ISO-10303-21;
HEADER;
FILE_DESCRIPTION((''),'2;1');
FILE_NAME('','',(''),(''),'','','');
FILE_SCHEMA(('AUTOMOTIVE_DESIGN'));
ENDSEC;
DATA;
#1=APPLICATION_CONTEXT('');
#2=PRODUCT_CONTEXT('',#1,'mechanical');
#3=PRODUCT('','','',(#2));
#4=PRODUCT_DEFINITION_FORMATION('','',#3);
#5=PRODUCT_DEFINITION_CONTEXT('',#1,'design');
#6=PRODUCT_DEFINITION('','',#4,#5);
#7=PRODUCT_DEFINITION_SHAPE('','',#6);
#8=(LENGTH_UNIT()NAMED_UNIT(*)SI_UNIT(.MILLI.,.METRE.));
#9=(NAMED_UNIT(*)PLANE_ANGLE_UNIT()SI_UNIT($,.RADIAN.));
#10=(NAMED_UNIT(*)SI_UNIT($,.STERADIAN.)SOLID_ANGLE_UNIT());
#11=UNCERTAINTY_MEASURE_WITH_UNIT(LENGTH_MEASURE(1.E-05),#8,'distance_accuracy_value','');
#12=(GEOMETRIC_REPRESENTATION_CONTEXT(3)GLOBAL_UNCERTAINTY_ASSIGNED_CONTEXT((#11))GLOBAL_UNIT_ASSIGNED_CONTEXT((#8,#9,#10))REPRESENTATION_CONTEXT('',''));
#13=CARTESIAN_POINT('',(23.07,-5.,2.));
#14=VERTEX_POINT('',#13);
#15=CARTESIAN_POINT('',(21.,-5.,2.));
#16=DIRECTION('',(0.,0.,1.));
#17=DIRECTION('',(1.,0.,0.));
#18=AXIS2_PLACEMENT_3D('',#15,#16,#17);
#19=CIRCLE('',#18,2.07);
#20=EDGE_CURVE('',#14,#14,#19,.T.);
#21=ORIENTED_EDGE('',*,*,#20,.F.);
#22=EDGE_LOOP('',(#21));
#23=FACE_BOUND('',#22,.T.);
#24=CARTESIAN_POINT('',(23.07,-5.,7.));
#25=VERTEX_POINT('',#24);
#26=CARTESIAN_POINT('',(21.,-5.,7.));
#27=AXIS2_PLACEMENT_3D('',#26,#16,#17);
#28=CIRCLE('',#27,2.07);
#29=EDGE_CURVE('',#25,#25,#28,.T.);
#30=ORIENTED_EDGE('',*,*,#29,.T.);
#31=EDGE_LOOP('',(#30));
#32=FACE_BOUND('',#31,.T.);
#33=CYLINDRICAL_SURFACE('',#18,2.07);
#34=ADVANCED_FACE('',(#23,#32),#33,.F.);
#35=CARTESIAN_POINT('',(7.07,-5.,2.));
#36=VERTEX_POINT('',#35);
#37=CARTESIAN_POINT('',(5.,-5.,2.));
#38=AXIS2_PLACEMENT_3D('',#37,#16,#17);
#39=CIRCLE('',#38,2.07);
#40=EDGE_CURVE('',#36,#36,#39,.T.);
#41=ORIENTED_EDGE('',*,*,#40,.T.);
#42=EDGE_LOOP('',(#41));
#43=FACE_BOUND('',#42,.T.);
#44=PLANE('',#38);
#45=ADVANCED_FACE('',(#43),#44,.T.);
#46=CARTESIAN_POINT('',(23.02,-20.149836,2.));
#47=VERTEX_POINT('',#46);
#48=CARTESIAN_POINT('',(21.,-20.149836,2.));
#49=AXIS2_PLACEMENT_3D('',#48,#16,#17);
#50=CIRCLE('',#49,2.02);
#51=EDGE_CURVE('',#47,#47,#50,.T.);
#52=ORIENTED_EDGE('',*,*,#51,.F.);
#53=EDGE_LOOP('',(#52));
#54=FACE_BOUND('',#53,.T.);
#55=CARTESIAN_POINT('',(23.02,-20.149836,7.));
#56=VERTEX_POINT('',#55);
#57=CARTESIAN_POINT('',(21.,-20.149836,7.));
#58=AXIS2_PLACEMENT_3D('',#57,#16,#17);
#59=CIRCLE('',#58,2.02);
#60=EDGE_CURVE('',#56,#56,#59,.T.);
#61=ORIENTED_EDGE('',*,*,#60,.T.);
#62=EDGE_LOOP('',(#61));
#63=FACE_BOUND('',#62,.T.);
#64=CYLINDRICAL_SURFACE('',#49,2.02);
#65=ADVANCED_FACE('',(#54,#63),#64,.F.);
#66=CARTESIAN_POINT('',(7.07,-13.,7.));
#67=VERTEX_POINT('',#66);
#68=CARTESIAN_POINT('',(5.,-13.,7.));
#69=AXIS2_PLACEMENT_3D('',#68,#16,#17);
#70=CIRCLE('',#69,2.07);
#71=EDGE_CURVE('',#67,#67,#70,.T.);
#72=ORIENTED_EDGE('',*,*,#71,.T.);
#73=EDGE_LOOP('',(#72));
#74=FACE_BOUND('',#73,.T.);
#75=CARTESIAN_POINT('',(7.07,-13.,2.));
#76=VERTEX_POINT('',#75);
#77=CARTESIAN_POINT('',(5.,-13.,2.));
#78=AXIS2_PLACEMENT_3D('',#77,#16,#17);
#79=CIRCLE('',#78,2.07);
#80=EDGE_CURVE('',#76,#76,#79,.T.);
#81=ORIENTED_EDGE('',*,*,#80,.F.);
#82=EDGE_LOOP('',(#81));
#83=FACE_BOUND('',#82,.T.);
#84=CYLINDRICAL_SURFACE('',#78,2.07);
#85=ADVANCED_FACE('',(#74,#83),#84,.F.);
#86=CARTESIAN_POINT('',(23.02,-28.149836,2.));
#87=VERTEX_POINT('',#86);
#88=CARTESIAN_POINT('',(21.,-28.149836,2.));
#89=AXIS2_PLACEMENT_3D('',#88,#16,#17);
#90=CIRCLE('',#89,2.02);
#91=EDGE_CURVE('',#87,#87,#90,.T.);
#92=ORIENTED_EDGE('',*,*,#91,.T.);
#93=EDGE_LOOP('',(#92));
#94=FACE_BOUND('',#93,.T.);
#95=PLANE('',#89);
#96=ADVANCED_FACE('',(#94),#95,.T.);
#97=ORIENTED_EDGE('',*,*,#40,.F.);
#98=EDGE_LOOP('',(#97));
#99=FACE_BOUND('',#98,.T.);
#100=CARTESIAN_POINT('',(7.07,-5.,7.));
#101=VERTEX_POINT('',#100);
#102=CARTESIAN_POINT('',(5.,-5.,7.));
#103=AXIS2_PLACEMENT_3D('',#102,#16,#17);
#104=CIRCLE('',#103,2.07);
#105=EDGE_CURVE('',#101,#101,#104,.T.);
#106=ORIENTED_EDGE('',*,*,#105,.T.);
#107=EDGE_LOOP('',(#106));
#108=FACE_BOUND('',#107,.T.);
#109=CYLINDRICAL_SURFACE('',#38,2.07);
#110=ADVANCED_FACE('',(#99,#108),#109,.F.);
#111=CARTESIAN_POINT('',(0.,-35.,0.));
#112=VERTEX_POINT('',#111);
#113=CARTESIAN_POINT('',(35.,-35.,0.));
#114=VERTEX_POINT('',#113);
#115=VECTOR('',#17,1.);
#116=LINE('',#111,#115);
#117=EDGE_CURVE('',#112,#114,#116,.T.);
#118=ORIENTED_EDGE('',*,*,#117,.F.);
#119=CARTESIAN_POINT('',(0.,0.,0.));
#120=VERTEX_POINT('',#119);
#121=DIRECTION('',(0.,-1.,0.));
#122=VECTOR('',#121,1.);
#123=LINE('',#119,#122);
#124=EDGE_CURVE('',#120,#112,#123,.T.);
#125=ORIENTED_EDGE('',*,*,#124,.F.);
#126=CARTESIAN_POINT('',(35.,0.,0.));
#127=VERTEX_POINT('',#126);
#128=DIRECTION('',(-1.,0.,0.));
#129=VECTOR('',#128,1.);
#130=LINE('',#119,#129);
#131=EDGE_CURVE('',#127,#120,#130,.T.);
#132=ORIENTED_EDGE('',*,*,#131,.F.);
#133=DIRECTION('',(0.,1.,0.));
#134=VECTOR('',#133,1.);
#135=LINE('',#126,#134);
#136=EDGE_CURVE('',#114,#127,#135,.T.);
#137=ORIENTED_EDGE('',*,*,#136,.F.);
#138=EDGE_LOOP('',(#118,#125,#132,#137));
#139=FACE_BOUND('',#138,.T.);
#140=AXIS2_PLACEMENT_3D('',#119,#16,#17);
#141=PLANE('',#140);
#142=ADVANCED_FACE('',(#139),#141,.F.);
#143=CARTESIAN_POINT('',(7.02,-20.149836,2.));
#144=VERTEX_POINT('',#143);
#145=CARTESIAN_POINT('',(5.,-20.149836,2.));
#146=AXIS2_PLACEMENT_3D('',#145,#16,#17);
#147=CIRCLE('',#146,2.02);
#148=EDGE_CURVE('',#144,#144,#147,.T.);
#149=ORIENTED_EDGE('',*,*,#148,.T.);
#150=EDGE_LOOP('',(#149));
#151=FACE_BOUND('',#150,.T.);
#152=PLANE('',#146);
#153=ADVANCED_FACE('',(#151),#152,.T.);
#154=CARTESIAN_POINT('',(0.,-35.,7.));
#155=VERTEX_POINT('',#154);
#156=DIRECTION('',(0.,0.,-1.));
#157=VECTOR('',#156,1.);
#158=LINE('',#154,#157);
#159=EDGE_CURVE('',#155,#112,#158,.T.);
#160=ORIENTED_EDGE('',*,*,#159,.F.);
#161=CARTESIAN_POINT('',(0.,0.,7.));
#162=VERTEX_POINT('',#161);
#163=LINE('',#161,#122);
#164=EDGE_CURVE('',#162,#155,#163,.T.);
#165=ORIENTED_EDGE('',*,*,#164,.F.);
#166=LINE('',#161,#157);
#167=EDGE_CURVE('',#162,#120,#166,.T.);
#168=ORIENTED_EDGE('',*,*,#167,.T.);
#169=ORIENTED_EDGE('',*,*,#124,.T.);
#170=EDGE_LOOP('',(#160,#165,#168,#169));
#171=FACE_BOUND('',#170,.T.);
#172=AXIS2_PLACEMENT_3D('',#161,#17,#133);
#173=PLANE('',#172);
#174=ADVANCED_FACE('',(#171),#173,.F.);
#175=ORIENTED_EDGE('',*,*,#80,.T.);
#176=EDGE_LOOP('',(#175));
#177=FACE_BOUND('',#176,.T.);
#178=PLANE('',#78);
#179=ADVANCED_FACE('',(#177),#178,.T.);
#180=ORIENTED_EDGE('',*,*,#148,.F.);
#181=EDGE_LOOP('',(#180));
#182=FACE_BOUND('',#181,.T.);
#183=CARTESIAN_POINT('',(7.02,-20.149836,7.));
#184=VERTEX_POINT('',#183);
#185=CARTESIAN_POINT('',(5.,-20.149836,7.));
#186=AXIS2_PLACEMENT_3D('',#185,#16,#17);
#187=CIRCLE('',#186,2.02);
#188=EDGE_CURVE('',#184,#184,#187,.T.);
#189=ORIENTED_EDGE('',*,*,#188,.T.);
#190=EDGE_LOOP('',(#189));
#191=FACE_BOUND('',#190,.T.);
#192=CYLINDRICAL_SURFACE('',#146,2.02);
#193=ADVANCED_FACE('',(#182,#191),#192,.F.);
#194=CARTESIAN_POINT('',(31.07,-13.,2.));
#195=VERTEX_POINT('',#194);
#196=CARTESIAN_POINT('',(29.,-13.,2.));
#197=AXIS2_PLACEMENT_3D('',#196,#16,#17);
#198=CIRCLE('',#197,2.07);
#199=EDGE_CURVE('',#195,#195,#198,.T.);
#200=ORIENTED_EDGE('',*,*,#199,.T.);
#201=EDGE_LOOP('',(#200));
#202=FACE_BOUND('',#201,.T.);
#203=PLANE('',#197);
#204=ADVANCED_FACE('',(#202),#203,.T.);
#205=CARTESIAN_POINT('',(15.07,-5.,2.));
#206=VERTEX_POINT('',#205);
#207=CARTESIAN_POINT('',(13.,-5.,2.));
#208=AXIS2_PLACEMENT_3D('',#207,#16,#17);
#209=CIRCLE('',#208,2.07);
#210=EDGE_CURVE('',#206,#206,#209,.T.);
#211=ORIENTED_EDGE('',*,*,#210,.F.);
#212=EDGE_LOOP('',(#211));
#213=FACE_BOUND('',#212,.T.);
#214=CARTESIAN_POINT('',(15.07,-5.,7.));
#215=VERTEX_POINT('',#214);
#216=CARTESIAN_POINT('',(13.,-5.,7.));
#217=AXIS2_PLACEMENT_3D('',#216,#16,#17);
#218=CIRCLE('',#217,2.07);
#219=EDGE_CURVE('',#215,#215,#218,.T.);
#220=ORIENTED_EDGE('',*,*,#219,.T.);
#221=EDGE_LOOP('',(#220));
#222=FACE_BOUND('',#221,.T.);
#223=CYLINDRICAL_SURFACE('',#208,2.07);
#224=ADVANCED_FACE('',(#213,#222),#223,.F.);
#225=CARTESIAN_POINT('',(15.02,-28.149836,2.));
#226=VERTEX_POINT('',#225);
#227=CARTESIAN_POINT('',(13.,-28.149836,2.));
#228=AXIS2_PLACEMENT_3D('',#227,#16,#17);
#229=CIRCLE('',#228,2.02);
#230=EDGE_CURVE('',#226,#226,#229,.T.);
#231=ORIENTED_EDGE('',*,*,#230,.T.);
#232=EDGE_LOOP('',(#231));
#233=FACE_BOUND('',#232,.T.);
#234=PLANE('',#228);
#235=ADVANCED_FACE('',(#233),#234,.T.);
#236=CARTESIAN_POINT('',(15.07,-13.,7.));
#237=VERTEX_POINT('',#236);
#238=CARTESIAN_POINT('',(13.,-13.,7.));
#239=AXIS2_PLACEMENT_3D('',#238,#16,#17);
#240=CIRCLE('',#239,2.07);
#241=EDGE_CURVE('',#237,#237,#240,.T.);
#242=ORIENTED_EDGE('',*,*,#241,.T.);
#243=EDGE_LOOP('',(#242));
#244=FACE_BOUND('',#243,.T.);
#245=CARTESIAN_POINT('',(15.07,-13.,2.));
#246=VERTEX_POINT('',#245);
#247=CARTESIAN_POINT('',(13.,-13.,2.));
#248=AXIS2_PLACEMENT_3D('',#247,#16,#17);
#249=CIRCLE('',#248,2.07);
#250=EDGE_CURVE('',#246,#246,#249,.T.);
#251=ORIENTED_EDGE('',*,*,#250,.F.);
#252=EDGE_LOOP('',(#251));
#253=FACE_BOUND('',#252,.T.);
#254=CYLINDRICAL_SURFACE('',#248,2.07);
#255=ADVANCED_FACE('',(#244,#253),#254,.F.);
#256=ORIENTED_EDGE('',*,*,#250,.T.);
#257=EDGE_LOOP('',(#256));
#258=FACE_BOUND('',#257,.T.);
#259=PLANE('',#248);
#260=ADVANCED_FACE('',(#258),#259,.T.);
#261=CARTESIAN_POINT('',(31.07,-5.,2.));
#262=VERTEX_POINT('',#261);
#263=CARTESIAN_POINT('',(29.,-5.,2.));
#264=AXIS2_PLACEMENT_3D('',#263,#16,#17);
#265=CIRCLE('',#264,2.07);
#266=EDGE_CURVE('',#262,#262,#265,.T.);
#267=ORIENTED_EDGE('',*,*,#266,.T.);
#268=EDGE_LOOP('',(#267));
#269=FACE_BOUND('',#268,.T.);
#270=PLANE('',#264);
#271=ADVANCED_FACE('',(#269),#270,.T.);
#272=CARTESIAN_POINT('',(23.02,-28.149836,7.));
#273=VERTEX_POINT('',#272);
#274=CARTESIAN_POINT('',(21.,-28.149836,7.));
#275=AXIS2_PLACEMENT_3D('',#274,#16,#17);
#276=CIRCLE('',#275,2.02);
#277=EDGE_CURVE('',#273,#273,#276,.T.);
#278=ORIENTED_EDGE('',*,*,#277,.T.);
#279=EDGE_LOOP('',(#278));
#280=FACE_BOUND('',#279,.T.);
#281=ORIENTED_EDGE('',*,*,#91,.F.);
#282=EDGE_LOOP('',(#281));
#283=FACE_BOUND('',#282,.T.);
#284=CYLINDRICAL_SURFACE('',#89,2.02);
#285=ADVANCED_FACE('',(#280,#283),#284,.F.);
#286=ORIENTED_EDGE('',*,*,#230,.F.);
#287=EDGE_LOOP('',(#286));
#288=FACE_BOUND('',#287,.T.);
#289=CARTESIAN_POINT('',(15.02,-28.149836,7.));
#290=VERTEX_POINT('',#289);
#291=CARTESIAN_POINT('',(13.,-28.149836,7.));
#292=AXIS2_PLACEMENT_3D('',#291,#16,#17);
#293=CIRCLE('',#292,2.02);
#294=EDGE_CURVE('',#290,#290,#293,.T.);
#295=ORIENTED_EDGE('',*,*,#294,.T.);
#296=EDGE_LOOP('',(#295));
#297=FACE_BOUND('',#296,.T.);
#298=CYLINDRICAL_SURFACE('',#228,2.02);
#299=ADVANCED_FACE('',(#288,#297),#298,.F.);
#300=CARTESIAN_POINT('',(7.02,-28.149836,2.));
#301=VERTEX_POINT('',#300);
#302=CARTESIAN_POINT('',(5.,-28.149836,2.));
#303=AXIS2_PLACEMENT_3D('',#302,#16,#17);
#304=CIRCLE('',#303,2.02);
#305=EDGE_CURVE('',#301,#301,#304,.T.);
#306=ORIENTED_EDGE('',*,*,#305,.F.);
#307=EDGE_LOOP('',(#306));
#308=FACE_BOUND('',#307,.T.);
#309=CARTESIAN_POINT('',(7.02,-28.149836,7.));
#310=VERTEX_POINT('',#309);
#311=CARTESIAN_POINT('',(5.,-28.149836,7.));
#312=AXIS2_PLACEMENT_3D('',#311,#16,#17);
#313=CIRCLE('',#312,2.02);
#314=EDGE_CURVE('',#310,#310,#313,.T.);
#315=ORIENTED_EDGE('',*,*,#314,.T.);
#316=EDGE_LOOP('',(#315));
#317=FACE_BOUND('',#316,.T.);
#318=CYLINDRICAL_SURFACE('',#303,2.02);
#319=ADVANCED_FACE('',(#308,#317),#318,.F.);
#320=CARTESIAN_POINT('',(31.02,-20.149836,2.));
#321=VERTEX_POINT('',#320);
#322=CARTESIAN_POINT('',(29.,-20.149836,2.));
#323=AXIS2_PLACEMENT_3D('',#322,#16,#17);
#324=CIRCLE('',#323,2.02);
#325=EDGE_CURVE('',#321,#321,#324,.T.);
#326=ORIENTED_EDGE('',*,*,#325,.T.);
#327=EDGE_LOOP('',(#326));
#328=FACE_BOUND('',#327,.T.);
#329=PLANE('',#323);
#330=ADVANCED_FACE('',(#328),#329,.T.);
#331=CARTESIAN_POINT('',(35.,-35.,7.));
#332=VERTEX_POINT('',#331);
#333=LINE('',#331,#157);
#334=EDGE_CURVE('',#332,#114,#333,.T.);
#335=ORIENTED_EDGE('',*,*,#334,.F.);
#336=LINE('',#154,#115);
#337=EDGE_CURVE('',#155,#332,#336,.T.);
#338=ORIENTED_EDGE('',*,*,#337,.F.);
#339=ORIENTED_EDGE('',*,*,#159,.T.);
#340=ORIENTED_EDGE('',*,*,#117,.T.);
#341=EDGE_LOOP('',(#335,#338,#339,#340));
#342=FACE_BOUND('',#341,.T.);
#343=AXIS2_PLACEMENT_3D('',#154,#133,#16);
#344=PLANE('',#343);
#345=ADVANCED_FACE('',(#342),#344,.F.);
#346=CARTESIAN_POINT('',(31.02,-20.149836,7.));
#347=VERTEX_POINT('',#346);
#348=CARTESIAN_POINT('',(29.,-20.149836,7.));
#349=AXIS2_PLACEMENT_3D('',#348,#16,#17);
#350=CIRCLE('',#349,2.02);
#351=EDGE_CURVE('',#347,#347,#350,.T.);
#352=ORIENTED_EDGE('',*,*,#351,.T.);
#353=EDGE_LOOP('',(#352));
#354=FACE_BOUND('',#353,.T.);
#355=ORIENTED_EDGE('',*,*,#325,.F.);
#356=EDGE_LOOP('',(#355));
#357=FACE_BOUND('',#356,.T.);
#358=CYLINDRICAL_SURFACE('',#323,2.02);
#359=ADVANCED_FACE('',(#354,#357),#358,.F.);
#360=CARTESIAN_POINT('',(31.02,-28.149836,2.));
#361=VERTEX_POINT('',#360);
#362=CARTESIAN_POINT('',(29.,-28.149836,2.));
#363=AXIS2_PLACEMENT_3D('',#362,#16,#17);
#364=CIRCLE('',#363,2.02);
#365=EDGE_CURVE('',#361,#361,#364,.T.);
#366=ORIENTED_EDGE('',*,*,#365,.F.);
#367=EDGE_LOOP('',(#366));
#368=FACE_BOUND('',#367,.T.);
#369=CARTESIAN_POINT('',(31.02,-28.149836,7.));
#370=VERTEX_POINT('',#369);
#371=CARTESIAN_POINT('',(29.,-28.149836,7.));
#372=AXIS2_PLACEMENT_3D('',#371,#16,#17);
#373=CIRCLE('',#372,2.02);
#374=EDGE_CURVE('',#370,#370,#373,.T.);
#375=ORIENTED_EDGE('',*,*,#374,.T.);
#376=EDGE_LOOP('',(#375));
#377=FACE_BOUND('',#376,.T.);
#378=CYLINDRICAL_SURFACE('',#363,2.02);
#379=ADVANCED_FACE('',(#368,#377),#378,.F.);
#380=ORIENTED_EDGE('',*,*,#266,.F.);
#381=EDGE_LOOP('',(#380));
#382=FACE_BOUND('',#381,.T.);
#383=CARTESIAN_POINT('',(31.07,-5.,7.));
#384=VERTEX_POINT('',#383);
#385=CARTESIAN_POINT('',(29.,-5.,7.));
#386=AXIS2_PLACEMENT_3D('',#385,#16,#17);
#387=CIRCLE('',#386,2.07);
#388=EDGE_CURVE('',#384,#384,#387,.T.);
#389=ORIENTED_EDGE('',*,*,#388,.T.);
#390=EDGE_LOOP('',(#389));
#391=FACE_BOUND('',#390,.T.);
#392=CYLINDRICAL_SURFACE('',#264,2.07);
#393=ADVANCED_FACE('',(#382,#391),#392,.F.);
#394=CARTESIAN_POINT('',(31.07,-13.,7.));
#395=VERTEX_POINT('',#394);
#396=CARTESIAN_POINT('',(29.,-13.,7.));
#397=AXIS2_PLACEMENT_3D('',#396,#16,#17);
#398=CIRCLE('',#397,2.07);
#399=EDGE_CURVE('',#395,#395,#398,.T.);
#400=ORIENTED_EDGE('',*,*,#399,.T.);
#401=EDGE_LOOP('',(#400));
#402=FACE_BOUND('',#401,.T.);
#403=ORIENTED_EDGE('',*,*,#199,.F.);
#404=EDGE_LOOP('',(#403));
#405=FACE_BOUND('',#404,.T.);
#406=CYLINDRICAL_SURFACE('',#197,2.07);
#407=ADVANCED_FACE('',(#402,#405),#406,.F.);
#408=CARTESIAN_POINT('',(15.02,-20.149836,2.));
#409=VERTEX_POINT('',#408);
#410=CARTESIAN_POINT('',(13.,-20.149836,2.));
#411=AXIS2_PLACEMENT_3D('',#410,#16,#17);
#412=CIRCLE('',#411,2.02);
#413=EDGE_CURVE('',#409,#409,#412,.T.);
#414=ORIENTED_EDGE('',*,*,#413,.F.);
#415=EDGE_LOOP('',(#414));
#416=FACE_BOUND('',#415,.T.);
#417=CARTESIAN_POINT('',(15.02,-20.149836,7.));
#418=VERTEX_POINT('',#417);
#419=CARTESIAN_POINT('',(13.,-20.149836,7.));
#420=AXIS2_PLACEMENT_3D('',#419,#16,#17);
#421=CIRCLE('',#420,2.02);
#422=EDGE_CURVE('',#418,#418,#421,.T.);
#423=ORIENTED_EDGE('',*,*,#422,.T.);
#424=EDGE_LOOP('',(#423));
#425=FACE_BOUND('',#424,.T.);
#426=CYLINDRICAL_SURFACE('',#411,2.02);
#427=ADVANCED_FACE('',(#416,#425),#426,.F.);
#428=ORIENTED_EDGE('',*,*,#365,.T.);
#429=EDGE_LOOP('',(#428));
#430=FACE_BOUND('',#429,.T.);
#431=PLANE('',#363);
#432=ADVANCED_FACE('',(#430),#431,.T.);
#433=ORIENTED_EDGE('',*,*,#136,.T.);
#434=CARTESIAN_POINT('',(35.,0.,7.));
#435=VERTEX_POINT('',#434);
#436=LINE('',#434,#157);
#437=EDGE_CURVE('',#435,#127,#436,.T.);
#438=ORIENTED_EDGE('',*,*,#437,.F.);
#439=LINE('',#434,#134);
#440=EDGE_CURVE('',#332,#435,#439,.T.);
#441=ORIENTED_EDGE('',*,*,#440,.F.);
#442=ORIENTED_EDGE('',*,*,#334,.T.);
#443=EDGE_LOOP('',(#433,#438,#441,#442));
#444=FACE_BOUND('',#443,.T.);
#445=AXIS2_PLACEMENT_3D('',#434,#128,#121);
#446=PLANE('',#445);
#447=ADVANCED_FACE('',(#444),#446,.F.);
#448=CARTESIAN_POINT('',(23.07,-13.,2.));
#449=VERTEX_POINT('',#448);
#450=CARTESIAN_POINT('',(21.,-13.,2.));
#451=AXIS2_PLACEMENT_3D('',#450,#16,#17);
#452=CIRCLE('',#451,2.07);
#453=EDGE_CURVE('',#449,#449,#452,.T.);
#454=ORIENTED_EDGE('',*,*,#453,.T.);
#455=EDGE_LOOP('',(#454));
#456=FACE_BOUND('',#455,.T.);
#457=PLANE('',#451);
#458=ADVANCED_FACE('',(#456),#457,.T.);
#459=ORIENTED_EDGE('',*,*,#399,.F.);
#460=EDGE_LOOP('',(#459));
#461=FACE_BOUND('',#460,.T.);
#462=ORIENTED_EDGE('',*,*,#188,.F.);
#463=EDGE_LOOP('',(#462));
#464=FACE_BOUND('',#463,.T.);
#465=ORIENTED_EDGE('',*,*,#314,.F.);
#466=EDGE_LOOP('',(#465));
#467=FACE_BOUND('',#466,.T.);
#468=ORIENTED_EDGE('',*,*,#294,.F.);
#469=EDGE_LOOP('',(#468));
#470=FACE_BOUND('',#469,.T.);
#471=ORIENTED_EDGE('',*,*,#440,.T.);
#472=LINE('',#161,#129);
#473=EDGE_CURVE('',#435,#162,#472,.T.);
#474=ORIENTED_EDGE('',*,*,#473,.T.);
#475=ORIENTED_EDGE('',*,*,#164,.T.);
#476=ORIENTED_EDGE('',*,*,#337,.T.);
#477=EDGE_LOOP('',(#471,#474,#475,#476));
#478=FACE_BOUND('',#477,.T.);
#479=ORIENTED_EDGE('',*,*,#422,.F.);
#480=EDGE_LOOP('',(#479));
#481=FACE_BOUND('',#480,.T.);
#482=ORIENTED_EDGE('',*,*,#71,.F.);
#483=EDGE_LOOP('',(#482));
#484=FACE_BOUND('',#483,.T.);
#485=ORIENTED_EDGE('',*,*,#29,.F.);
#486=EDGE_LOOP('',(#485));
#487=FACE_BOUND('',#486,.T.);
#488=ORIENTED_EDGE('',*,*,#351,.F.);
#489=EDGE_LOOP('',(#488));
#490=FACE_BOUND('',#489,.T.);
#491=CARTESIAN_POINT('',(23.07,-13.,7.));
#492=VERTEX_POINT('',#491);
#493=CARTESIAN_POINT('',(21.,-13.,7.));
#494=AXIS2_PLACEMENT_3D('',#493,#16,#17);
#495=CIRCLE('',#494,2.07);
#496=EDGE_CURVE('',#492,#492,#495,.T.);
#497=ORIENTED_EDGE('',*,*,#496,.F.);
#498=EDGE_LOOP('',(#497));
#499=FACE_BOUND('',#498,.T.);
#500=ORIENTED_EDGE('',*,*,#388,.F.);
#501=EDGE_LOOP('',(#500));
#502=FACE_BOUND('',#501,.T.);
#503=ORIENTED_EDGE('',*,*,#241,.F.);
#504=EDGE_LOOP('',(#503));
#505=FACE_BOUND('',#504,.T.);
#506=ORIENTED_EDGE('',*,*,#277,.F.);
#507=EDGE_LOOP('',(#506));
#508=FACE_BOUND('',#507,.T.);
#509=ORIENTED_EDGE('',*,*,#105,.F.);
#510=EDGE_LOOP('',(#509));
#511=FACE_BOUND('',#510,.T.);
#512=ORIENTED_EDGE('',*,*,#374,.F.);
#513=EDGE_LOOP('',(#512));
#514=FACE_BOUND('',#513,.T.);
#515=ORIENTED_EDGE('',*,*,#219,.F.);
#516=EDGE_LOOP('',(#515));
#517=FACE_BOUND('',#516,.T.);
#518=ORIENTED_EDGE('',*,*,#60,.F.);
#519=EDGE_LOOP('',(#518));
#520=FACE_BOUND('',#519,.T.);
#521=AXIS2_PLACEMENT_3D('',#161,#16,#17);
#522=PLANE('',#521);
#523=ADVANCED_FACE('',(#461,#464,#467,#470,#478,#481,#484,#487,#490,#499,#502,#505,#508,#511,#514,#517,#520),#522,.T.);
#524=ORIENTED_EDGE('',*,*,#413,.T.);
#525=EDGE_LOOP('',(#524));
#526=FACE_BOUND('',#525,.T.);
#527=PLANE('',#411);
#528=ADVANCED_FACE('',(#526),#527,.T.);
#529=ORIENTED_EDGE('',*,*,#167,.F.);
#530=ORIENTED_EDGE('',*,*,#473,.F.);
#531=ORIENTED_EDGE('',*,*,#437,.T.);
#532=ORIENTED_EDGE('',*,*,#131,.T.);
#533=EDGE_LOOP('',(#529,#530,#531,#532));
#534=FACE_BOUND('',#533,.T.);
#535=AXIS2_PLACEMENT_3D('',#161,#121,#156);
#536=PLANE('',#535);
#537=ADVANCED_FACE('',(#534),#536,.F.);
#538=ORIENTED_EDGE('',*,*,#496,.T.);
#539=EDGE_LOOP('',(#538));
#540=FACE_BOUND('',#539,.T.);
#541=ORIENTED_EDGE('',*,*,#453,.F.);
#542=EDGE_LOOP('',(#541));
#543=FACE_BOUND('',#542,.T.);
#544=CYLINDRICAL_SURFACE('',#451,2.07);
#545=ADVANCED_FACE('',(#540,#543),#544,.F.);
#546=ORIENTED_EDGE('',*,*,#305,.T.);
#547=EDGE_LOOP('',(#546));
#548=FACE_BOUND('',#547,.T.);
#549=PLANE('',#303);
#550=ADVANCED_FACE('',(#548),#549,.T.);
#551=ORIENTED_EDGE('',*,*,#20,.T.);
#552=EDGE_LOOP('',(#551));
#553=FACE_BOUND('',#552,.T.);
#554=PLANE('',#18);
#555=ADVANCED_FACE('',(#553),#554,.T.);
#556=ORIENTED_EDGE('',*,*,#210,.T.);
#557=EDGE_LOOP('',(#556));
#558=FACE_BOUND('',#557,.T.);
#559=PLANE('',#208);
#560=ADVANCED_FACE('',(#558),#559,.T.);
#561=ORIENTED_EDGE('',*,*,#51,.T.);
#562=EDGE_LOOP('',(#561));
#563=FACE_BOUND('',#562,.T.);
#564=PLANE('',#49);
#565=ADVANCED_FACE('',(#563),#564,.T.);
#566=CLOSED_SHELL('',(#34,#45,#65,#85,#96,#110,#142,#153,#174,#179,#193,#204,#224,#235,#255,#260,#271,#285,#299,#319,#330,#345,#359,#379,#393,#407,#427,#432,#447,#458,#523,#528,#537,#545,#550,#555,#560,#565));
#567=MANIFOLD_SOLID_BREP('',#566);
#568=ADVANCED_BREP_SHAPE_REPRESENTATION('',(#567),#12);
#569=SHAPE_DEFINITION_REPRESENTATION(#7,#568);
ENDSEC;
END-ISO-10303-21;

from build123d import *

# Parameters (mm, degrees)
SKETCH1_W           = 35
SKETCH1_H           = 35
BOSS_EXTRUDE1_DEPTH = 7
SKETCH2_R           = 2.07
SKETCH2_R_2         = 2.02
CUT_EXTRUDE1_DEPTH  = 5


with BuildPart() as part:
    # Sketch1 → Boss-Extrude1 (new body)
    with BuildSketch(Plane.XY):
        with Locations((17.5, -17.5)):
            Rectangle(SKETCH1_W, SKETCH1_H)
    extrude(amount=BOSS_EXTRUDE1_DEPTH)

    # Sketch2 → Cut-Extrude1 (cut)
    with BuildSketch(Plane.XY.offset(7)):
        with Locations((5, -5)):
            Circle(SKETCH2_R)
        with Locations((13, -5)):
            Circle(SKETCH2_R)
        with Locations((21, -5)):
            Circle(SKETCH2_R)
        with Locations((29, -5)):
            Circle(SKETCH2_R)
        with Locations((5, -13)):
            Circle(SKETCH2_R)
        with Locations((13, -13)):
            Circle(SKETCH2_R)
        with Locations((21, -13)):
            Circle(SKETCH2_R)
        with Locations((29, -13)):
            Circle(SKETCH2_R)
        with Locations((5, -20.149835752)):
            Circle(SKETCH2_R_2)
        with Locations((13, -20.149835752)):
            Circle(SKETCH2_R_2)
        with Locations((21, -20.149835752)):
            Circle(SKETCH2_R_2)
        with Locations((29, -20.149835752)):
            Circle(SKETCH2_R_2)
        with Locations((13, -28.149835752)):
            Circle(SKETCH2_R_2)
        with Locations((21, -28.149835752)):
            Circle(SKETCH2_R_2)
        with Locations((29, -28.149835752)):
            Circle(SKETCH2_R_2)
        with Locations((5, -28.149835752)):
            Circle(SKETCH2_R_2)
    extrude(amount=-CUT_EXTRUDE1_DEPTH, mode=Mode.SUBTRACT)


solid = part.part
